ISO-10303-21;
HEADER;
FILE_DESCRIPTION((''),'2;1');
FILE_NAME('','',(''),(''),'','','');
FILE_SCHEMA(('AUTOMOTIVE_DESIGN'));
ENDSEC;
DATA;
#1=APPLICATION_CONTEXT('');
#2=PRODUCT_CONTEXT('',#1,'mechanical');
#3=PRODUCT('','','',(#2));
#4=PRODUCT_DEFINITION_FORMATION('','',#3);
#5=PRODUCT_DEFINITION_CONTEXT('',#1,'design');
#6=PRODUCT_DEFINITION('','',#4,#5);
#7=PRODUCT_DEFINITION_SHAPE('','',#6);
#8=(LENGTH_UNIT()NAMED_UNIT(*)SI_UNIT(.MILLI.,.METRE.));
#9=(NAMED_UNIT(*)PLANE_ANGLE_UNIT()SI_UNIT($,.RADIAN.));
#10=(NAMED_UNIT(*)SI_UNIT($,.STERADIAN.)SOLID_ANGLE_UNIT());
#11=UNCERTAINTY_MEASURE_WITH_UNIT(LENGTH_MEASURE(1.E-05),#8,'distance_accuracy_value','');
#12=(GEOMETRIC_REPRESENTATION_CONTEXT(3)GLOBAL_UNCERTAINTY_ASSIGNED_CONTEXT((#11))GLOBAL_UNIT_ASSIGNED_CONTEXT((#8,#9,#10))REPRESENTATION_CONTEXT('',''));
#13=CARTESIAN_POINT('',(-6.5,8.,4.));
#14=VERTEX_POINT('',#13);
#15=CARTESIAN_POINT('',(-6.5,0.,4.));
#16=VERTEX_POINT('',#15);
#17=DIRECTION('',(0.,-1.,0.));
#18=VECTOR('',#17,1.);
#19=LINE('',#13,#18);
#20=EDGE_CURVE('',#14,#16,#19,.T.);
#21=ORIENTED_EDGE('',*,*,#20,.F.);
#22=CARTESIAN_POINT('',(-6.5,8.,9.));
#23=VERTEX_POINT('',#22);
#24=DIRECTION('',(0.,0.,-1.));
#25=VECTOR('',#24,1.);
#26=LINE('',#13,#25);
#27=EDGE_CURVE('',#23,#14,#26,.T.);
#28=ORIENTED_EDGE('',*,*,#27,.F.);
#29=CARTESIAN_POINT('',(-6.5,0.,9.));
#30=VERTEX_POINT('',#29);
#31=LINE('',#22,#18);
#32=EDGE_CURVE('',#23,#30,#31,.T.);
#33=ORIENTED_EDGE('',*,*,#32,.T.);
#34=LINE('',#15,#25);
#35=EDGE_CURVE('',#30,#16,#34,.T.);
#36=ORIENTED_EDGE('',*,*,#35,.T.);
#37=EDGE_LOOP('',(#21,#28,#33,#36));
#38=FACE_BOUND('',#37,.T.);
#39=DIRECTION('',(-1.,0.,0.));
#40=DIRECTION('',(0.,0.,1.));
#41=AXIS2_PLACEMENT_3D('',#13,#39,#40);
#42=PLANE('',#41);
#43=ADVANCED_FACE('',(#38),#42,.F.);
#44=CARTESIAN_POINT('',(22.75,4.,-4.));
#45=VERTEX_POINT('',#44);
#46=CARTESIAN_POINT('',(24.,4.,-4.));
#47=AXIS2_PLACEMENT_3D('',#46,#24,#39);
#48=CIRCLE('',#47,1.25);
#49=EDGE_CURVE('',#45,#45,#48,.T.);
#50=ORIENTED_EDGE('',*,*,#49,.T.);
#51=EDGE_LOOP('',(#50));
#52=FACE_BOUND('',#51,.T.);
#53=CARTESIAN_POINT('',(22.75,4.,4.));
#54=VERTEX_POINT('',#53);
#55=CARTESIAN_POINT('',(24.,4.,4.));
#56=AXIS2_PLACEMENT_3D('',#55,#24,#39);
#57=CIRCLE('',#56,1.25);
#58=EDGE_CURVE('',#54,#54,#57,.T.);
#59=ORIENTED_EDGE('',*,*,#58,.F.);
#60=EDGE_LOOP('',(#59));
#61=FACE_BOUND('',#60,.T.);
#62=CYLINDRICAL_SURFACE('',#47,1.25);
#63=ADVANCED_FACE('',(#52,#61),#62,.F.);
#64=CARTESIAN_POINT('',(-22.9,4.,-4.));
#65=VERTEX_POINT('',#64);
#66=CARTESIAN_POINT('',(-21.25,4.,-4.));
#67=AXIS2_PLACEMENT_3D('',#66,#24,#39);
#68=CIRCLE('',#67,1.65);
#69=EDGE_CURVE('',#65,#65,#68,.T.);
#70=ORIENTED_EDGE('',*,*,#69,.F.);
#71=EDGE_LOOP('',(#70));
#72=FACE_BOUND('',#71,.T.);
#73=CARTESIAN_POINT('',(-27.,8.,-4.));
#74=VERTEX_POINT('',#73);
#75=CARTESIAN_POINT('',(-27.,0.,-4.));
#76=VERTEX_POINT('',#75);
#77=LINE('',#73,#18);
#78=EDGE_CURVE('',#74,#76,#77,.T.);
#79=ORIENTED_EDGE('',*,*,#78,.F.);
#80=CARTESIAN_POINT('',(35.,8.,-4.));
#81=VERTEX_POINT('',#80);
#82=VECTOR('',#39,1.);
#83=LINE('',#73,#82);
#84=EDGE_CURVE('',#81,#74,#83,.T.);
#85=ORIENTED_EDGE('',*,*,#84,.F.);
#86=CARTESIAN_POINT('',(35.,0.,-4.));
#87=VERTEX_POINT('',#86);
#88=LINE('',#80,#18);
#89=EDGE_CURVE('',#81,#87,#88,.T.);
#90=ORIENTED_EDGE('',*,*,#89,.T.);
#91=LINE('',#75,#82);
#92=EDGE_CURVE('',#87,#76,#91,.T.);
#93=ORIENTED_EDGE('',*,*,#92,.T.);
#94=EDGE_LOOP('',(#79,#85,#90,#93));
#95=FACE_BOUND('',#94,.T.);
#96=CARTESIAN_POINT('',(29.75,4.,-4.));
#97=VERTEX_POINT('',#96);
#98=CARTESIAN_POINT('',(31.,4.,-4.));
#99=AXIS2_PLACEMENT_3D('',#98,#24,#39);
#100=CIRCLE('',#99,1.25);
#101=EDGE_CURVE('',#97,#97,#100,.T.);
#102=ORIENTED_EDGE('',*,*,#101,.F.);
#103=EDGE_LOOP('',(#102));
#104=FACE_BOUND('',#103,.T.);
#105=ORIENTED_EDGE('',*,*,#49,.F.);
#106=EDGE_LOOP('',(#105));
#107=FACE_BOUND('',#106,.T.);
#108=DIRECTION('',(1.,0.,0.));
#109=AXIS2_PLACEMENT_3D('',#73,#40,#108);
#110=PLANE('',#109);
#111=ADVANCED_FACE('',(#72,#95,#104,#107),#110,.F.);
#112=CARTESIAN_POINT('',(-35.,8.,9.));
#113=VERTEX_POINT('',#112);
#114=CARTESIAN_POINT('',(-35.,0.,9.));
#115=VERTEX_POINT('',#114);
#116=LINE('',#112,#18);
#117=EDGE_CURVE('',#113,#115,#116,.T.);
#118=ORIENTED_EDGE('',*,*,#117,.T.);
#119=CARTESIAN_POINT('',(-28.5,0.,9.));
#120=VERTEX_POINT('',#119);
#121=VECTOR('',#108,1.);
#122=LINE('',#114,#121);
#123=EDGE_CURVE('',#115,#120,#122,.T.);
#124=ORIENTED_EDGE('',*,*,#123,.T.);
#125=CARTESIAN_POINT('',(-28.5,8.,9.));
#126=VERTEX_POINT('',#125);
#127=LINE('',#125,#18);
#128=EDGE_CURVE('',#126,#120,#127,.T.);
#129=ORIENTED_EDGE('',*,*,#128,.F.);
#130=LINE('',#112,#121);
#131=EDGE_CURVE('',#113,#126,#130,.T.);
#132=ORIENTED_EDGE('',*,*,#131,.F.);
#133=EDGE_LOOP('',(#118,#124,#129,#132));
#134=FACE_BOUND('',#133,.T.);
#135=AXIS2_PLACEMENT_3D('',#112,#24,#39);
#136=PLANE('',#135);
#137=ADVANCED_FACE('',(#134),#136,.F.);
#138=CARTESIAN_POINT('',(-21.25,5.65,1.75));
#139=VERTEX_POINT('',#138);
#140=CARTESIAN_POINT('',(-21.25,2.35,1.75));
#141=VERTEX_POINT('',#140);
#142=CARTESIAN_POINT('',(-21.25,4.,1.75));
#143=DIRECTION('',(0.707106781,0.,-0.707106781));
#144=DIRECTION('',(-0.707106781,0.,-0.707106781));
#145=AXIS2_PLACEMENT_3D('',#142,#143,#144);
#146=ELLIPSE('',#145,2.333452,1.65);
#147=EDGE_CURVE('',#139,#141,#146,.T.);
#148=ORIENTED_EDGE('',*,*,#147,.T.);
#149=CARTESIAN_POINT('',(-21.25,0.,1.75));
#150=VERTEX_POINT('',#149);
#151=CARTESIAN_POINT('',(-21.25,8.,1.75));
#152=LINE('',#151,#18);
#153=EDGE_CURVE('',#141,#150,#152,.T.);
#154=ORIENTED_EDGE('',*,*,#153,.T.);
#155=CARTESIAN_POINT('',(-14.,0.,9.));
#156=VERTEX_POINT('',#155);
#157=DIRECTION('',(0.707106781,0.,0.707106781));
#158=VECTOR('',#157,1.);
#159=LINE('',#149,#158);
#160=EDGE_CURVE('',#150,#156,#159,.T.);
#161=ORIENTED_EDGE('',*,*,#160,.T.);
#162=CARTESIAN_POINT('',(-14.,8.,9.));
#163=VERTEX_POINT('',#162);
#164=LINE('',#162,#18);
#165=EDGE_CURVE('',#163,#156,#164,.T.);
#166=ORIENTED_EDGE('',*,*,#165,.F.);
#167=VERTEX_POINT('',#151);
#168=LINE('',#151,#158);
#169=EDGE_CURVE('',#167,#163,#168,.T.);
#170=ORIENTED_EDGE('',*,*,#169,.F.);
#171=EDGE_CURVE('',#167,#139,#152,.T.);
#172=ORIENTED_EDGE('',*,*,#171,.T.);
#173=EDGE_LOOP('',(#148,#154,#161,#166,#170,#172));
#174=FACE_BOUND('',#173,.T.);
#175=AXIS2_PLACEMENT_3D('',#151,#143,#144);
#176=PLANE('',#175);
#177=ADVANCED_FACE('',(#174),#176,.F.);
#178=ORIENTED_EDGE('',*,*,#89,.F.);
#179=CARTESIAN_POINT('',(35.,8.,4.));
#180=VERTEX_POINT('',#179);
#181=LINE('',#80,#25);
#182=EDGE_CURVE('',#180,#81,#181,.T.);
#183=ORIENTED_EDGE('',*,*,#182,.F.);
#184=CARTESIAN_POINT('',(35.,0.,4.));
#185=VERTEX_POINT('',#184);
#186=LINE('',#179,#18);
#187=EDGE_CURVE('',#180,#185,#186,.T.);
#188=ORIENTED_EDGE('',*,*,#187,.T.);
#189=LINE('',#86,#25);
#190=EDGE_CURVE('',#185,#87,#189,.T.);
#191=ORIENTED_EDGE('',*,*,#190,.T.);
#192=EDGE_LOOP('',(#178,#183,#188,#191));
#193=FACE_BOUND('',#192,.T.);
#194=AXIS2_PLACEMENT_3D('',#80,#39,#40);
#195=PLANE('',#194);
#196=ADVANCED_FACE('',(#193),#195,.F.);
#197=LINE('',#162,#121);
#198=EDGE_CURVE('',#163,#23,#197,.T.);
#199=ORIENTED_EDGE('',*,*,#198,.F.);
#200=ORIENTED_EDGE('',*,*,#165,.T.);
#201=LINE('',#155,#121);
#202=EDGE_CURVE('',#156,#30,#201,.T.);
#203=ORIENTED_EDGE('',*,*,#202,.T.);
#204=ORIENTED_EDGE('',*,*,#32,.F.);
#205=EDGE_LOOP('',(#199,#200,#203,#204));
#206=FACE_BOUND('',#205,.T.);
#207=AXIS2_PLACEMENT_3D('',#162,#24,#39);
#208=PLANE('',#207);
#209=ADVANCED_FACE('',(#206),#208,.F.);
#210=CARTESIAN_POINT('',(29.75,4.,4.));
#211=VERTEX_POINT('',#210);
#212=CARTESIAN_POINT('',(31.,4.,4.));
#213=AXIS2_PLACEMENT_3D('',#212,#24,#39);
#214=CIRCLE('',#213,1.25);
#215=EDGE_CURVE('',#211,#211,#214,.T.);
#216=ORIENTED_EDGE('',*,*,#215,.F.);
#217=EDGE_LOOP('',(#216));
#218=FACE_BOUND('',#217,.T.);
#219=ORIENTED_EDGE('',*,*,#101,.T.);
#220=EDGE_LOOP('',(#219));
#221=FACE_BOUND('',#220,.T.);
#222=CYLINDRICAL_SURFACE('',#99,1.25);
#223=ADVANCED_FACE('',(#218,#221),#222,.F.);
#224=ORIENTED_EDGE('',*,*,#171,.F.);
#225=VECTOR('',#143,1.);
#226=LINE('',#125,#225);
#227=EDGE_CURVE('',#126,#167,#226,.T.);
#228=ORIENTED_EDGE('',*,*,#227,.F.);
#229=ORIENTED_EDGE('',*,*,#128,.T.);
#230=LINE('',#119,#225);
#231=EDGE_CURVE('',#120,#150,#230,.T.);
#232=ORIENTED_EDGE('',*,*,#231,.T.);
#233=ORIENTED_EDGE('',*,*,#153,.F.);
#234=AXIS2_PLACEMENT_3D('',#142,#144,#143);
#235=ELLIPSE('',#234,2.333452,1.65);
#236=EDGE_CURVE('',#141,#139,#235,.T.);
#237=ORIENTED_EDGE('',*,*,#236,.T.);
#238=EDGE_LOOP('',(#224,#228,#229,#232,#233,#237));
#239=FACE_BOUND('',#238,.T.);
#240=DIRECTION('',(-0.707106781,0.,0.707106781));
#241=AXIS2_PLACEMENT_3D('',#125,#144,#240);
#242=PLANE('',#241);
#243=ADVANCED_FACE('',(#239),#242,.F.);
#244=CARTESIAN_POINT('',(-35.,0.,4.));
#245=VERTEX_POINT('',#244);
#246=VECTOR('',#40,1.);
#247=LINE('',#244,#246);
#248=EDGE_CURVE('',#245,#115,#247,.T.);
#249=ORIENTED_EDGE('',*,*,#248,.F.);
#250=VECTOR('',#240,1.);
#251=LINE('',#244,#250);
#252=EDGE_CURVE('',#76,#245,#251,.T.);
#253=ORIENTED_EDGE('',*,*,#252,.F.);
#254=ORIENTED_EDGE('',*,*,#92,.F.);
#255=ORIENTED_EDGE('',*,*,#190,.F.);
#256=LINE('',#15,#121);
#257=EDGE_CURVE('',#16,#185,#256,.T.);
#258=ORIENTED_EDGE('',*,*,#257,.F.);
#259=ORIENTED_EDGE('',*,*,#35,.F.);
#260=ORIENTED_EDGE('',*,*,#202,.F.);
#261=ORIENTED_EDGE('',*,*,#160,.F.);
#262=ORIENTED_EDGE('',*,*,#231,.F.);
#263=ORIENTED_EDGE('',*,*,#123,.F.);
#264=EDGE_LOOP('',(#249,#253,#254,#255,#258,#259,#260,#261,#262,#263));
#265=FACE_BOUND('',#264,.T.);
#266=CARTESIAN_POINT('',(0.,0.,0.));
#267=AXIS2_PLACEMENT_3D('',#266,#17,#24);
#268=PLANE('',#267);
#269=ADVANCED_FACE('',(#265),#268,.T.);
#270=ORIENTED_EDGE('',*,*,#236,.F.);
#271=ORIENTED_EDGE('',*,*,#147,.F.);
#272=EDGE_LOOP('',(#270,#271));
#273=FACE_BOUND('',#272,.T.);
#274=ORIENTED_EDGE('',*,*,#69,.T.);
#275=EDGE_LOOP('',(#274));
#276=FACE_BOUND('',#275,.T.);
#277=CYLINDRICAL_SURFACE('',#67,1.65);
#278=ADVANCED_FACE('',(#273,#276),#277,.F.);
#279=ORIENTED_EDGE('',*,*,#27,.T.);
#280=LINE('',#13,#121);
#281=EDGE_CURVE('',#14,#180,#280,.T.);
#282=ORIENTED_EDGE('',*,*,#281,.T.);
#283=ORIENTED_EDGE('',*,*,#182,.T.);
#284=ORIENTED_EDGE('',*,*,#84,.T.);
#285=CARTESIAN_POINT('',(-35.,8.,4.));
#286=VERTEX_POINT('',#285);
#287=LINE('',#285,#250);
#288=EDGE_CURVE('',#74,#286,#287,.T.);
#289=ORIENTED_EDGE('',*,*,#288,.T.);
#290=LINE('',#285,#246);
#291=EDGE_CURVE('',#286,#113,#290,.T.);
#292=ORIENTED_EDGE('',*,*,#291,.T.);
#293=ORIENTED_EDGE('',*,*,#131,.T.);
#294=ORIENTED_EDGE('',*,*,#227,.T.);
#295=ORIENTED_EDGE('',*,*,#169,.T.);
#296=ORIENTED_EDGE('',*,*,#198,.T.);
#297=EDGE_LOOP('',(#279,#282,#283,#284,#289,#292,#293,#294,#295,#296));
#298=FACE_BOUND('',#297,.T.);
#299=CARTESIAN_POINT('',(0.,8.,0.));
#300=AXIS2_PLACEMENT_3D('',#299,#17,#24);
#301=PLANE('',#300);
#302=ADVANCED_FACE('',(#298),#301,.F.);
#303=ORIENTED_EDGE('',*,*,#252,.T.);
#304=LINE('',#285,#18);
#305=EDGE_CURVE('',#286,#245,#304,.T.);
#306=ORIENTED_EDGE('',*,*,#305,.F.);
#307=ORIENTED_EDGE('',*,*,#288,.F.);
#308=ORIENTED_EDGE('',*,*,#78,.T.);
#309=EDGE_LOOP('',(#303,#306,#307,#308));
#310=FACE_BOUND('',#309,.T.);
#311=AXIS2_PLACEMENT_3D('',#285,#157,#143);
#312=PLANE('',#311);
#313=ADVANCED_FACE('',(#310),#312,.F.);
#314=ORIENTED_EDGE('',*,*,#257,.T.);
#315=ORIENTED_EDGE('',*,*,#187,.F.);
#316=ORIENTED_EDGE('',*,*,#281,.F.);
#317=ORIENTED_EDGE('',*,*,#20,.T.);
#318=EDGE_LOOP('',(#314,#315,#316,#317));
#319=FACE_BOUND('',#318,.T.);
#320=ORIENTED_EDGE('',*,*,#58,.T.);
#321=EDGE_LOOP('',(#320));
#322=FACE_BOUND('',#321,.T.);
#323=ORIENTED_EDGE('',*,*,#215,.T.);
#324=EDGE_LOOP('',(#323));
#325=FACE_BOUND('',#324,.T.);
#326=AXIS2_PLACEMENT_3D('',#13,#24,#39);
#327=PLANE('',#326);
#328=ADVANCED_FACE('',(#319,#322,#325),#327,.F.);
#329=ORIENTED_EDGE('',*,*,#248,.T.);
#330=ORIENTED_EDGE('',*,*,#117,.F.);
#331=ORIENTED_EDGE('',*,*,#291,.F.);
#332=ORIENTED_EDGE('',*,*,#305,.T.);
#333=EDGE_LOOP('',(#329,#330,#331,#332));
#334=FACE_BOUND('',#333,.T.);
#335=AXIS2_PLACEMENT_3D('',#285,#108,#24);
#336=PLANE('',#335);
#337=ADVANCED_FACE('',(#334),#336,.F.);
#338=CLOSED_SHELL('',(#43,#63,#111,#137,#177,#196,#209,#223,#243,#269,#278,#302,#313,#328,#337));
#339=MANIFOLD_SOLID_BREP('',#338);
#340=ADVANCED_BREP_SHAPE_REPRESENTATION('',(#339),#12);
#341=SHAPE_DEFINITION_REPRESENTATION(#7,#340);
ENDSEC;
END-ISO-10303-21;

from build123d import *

# Parameters (mm, degrees)
BOSS_EXTRUDE2_DEPTH   = 8
M4_TAPPED_HOLE1_D     = 3.3
M4_TAPPED_HOLE1_DEPTH = 11.5
M4_TAPPED_HOLE1_TIP   = 0.991420021
M3_TAPPED_HOLE1_D     = 2.5
M3_TAPPED_HOLE1_DEPTH = 8.5
M3_TAPPED_HOLE1_TIP   = 0.751075774


with BuildPart() as part:
    # Sketch1 → Boss-Extrude2 (new body)
    with BuildSketch(Plane(origin=(0, 0, 0), x_dir=(1, 0, 0), z_dir=(0, 1, 0))):
        Polygon((-35, -4), (-27, 4), (35, 4), (35, -4), (-6.5, -4), (-6.5, -9), (-14, -9), (-21.25, -1.75), (-28.5, -9), (-35, -9), align=None)
    extrude(amount=BOSS_EXTRUDE2_DEPTH)

    # M4 Tapped Hole1
    with Locations(Plane(origin=(0, 0, -4), x_dir=(-1, 0, 0), z_dir=(0, 0, -1))):
        with Locations((21.25, 4)):
            Hole(M4_TAPPED_HOLE1_D / 2, depth=M4_TAPPED_HOLE1_DEPTH)
            with Locations((0, 0, -(M4_TAPPED_HOLE1_DEPTH + M4_TAPPED_HOLE1_TIP / 2))):  # 118° drill point
                Cone(0, M4_TAPPED_HOLE1_D / 2, M4_TAPPED_HOLE1_TIP, mode=Mode.SUBTRACT)

    # M3 Tapped Hole1
    with Locations(Plane(origin=(0, 0, -4), x_dir=(-1, 0, 0), z_dir=(0, 0, -1))):
        with Locations((-31, 4), (-24, 4)):
            Hole(M3_TAPPED_HOLE1_D / 2, depth=M3_TAPPED_HOLE1_DEPTH)
            with Locations((0, 0, -(M3_TAPPED_HOLE1_DEPTH + M3_TAPPED_HOLE1_TIP / 2))):  # 118° drill point
                Cone(0, M3_TAPPED_HOLE1_D / 2, M3_TAPPED_HOLE1_TIP, mode=Mode.SUBTRACT)


solid = part.part
